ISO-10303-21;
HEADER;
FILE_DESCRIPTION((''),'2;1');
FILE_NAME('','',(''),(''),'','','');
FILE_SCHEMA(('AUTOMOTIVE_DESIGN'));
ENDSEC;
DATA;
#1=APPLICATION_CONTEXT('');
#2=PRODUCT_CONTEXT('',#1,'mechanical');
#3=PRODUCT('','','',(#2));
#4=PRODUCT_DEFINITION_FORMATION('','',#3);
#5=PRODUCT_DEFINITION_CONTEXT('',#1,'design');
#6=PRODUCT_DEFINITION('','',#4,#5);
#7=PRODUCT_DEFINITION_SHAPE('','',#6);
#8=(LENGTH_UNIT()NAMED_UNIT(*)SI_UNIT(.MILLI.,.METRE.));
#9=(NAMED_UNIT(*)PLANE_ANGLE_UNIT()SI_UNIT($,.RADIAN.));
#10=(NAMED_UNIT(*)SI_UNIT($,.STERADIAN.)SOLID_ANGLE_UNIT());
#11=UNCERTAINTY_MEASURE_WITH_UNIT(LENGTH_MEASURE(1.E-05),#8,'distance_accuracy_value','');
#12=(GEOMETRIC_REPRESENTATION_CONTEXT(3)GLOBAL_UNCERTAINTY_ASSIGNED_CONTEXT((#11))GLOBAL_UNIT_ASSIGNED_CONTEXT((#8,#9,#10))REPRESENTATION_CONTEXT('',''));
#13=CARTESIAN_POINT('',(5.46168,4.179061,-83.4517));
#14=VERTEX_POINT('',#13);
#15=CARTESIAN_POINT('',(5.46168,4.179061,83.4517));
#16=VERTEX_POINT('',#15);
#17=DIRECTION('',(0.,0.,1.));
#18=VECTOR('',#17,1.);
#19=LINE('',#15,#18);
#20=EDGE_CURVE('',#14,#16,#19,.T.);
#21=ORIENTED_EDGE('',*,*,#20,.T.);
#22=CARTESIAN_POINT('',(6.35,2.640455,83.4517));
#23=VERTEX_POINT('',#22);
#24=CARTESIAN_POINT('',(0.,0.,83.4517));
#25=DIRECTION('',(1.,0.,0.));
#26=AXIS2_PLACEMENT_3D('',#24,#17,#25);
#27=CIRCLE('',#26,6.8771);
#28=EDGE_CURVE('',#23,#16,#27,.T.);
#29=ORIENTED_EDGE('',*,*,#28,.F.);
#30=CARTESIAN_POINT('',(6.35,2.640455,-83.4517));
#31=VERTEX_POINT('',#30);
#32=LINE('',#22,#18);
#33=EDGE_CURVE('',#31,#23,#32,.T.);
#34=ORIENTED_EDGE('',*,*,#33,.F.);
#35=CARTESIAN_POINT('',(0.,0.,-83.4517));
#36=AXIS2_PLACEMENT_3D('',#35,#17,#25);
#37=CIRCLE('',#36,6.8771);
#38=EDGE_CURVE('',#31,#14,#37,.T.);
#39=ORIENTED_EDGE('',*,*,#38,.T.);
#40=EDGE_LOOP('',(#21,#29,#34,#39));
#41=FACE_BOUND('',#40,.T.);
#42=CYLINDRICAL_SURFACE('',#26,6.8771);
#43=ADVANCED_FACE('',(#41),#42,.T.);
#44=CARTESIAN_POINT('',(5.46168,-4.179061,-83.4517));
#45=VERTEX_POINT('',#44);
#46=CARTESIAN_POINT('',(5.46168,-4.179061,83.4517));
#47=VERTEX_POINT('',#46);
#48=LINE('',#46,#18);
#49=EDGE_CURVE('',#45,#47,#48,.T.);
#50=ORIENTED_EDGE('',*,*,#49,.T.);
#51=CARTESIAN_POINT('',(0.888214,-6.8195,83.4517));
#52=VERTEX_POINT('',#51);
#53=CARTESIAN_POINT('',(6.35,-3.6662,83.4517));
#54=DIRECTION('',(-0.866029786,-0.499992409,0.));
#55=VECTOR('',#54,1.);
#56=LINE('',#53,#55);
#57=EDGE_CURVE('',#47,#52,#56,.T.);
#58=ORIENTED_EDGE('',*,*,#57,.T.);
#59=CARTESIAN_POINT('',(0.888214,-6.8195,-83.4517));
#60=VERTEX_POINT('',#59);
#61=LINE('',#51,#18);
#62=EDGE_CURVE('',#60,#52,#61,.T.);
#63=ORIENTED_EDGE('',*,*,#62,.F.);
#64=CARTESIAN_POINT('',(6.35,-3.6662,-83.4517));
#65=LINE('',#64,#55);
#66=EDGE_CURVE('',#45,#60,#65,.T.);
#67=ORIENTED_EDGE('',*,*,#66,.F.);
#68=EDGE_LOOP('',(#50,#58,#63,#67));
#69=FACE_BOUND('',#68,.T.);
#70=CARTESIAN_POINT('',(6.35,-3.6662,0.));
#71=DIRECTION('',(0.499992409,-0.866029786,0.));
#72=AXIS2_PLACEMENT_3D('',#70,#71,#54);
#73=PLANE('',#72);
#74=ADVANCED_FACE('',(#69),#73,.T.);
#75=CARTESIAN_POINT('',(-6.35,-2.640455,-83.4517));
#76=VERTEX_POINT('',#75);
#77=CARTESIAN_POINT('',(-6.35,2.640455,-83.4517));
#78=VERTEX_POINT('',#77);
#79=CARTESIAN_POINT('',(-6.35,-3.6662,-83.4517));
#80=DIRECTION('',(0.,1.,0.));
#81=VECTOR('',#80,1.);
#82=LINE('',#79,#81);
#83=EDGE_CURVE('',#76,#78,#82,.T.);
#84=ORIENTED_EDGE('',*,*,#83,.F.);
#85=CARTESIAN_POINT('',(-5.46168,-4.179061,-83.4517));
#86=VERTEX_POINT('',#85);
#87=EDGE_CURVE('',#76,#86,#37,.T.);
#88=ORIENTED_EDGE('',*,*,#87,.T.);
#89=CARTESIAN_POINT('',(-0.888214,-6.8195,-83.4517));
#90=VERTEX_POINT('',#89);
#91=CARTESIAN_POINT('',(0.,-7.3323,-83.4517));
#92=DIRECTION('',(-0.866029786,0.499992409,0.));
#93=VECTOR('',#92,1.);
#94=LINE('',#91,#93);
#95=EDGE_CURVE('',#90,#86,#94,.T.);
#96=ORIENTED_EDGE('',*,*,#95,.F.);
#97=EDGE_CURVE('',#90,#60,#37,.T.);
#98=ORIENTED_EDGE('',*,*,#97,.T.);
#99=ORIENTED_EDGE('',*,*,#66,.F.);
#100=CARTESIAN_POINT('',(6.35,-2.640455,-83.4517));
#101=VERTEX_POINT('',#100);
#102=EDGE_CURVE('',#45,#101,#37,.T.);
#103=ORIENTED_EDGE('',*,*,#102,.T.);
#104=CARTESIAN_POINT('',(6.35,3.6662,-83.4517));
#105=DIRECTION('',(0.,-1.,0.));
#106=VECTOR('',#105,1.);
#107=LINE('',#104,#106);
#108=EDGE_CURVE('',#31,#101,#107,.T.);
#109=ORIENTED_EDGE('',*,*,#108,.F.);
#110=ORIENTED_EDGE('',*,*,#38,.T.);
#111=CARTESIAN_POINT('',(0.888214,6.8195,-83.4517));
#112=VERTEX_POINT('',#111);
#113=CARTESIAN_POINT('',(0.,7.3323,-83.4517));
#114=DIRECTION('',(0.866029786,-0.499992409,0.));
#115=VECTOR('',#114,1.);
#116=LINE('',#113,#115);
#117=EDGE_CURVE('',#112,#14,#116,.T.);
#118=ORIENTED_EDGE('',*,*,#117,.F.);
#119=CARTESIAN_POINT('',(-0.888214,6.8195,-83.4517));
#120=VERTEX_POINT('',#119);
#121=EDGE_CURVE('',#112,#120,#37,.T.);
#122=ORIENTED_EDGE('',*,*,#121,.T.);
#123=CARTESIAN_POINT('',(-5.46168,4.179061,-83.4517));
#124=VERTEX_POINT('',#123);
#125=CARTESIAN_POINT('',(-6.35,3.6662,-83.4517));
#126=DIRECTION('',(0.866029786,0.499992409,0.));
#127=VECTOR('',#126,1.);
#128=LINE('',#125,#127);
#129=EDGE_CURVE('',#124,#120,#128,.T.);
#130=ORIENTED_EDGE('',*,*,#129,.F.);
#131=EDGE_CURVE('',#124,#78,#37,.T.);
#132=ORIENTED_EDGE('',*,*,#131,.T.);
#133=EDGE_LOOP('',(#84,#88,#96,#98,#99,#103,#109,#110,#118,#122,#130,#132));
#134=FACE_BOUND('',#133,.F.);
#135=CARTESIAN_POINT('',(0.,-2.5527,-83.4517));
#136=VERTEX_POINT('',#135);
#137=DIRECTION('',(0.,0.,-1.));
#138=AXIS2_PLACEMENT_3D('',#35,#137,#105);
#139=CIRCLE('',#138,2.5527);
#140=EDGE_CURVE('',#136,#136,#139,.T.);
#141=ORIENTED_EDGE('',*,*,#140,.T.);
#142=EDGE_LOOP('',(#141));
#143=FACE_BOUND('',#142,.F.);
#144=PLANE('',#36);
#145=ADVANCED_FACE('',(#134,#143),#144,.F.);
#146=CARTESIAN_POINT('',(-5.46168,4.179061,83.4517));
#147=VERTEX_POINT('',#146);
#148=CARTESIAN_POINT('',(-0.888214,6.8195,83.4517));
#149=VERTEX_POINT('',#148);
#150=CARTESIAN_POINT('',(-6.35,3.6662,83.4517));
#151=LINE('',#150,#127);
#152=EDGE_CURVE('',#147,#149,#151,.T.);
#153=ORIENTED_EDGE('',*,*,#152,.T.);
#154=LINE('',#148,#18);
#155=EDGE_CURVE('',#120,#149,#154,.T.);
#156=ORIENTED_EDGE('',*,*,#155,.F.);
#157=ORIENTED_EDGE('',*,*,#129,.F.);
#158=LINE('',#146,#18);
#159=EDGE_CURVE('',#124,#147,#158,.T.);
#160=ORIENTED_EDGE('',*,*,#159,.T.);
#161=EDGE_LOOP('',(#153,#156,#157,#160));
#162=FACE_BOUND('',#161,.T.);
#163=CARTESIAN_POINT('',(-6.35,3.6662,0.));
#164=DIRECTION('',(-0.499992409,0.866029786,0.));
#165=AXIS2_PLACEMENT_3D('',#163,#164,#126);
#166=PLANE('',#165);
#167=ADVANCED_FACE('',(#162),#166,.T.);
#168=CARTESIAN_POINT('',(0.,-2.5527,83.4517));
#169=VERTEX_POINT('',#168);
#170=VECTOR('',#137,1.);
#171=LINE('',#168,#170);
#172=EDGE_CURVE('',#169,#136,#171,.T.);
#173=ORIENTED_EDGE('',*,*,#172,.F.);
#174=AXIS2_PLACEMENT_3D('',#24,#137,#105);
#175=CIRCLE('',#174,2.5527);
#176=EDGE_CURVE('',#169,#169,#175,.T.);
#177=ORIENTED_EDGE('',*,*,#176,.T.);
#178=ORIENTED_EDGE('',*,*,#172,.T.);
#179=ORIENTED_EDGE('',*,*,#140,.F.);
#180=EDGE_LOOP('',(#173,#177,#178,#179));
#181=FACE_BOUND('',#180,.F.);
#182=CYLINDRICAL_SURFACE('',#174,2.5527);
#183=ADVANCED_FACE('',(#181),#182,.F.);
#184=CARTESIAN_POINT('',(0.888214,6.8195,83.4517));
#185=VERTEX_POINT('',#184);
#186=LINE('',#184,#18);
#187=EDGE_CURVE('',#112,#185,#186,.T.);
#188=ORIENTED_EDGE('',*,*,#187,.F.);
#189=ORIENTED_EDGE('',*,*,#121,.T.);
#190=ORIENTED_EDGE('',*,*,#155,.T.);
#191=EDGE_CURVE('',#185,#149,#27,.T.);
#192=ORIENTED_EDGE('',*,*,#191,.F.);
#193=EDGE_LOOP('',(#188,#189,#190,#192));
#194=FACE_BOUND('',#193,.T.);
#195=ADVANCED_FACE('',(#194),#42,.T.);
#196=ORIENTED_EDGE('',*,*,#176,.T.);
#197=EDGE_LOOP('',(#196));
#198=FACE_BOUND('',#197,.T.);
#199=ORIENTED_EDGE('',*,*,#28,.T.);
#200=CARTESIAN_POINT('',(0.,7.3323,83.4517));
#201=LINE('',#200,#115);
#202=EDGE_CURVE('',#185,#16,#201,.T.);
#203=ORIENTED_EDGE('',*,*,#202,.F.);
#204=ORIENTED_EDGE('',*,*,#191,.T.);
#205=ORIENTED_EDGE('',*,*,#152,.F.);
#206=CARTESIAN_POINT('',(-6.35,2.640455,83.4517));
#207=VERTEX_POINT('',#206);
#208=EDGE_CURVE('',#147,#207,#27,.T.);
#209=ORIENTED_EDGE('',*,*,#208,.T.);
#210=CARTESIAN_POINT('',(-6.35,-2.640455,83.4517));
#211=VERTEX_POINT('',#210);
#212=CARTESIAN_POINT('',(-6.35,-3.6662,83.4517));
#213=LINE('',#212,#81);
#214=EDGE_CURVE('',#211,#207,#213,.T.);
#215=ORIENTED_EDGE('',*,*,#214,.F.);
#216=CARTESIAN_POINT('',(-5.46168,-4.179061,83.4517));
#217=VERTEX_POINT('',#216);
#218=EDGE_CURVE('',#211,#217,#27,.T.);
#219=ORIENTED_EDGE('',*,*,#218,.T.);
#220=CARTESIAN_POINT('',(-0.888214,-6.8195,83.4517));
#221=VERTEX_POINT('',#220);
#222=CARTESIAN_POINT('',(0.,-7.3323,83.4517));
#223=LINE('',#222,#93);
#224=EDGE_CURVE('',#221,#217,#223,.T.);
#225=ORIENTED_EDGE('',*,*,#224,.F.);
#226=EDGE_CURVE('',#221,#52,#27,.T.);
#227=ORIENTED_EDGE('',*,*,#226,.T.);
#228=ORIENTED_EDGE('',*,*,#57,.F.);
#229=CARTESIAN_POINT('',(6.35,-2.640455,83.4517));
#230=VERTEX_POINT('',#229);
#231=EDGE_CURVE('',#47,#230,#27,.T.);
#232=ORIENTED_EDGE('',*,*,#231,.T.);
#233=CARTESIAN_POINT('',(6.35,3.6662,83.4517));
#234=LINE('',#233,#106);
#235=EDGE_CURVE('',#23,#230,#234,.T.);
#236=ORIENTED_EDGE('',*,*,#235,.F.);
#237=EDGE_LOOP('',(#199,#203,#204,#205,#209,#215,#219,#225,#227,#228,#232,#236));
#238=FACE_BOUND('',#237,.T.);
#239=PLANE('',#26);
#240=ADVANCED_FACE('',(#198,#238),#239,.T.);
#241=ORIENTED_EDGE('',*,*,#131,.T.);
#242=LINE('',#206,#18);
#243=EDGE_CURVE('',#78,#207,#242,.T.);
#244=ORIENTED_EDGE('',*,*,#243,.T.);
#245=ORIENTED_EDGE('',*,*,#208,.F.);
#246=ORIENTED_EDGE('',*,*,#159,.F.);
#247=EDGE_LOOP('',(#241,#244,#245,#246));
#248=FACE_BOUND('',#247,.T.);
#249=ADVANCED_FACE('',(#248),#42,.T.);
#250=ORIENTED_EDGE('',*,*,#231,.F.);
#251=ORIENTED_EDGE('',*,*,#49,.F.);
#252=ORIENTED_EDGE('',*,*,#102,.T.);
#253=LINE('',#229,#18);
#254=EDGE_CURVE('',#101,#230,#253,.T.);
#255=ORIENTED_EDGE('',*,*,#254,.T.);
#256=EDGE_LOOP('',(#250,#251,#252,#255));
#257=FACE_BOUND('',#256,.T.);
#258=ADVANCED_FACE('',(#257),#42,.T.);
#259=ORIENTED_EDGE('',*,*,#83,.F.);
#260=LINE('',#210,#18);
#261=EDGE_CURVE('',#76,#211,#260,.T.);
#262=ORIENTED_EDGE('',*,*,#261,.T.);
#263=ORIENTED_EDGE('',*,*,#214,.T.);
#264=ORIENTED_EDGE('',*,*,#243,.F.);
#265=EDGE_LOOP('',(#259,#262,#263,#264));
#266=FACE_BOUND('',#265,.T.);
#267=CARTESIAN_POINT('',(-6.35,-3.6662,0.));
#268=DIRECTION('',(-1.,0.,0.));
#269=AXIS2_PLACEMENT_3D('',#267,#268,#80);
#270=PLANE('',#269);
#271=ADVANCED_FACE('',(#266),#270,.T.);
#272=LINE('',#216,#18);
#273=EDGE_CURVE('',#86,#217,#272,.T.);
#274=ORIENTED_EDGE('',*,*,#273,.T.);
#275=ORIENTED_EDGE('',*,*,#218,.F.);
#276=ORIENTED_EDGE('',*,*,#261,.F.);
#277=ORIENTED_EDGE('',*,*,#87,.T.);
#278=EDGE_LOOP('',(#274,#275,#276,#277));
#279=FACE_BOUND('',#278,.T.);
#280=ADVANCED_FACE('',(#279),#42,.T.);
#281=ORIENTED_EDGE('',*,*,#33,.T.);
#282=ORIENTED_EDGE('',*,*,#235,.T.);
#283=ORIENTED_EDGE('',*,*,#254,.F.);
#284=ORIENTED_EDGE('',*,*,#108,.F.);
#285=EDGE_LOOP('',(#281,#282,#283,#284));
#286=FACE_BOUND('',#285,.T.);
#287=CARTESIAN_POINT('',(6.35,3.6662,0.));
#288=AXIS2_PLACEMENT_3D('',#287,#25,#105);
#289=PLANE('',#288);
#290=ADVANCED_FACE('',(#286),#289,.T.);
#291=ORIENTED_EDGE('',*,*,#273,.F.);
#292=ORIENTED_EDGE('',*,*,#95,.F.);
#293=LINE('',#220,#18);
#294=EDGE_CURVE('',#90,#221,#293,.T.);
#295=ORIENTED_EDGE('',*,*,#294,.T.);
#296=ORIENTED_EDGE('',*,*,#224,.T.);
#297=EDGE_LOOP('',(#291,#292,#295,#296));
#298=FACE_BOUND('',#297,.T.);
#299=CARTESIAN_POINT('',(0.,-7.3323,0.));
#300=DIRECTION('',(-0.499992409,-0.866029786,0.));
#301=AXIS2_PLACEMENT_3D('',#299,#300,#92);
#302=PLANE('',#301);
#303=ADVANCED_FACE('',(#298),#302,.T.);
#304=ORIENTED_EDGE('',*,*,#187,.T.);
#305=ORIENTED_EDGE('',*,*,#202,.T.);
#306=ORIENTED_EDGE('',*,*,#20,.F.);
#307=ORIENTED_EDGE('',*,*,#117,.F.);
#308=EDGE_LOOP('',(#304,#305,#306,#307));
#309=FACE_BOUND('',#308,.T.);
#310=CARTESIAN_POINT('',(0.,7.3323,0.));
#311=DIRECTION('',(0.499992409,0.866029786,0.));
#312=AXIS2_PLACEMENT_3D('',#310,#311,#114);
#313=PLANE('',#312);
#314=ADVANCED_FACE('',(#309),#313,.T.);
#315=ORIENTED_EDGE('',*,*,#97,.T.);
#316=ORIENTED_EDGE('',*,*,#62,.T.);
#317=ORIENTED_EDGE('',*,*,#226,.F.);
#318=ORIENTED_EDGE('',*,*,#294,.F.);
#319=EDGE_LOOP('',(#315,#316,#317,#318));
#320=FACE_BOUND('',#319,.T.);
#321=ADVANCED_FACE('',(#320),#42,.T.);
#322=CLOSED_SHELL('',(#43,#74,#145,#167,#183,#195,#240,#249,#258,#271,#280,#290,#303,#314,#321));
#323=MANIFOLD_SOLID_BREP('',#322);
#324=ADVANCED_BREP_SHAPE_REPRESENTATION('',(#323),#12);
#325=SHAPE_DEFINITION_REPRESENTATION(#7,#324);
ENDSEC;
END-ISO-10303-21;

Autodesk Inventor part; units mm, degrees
ref_plane "YZ Plane" through (0, 0, 0) normal (1, 0, 0) x (0, 1, 0)
ref_plane "XZ Plane" through (0, 0, 0) normal (0, 1, 0) x (-1, 0, 0)
ref_plane "XY Plane" through (0, 0, 0) normal (0, 0, 1) x (1, 0, 0)
sketch "Sketch1" plane through (0, 0, 0) normal (0, 0, 1) x (1, 0, 0)
  line L0 (-6.35, -3.6662) -> (-6.35, 3.6662)
  line L1 (-6.35, 3.6662) -> (0, 7.3323)
  line L2 (0, 7.3323) -> (6.35, 3.6662)
  line L3 (6.35, 3.6662) -> (6.35, -3.6662)
  line L4 (6.35, -3.6662) -> (0, -7.3323)
  line L5 (0, -7.3323) -> (-6.35, -3.6662)
  point P0 (0, 0)
  point P1 (0, 0)
  dimension "Size" = 12.7
extrude "Extrusion1" add sketch "Sketch1" along normal mid plane 166.9034
sketch "Sketch3" plane through (0, 0, 83.4517) normal (0, 0, 1) x (1, 0, 0)
  line L0 (-6.35, 3.6662) -> (0, 7.3323) construction
  line L1 (0, 7.3323) -> (6.35, 3.6662) construction
  line L2 (6.35, 3.6662) -> (6.35, -3.6662) construction
  line L3 (6.35, -3.6662) -> (0, -7.3323) construction
  line L4 (0, -7.3323) -> (-6.35, -3.6662) construction
  line L5 (-6.35, -3.6662) -> (-6.35, 3.6662) construction
  point P0 (0, 0)
hole "Hole1" at (0, 0, 83.4517) direction (0, 0, -1) diameter 5.1054 end through all
sketch "Sketch4" plane through (0, 0, 83.4517) normal (0, 0, 1) x (1, 0, 0)
  circle A0 centre (0, 0) radius 2.5527 construction
  line L0 (-6.35, 3.6662) -> (0, 7.3323) construction
  line L1 (0, 7.3323) -> (6.35, 3.6662) construction
  line L2 (6.35, 3.6662) -> (6.35, -3.6662) construction
  line L3 (6.35, -3.6662) -> (0, -7.3323) construction
  line L4 (0, -7.3323) -> (-6.35, -3.6662) construction
  line L5 (-6.35, -3.6662) -> (-6.35, 3.6662) construction
  circle A1 centre (0, 0) radius 6.8771
  circle A2 centre (0, 0) radius 8.89
  dimension "thunder" = 13.7541
  dimension "d16" = 17.78
extrude "Extrusion3" cut sketch "Sketch4" against normal through all
equation "\"bearing\" = 25.4"
properties part number "GP3-005" material "Aluminum 6061"
